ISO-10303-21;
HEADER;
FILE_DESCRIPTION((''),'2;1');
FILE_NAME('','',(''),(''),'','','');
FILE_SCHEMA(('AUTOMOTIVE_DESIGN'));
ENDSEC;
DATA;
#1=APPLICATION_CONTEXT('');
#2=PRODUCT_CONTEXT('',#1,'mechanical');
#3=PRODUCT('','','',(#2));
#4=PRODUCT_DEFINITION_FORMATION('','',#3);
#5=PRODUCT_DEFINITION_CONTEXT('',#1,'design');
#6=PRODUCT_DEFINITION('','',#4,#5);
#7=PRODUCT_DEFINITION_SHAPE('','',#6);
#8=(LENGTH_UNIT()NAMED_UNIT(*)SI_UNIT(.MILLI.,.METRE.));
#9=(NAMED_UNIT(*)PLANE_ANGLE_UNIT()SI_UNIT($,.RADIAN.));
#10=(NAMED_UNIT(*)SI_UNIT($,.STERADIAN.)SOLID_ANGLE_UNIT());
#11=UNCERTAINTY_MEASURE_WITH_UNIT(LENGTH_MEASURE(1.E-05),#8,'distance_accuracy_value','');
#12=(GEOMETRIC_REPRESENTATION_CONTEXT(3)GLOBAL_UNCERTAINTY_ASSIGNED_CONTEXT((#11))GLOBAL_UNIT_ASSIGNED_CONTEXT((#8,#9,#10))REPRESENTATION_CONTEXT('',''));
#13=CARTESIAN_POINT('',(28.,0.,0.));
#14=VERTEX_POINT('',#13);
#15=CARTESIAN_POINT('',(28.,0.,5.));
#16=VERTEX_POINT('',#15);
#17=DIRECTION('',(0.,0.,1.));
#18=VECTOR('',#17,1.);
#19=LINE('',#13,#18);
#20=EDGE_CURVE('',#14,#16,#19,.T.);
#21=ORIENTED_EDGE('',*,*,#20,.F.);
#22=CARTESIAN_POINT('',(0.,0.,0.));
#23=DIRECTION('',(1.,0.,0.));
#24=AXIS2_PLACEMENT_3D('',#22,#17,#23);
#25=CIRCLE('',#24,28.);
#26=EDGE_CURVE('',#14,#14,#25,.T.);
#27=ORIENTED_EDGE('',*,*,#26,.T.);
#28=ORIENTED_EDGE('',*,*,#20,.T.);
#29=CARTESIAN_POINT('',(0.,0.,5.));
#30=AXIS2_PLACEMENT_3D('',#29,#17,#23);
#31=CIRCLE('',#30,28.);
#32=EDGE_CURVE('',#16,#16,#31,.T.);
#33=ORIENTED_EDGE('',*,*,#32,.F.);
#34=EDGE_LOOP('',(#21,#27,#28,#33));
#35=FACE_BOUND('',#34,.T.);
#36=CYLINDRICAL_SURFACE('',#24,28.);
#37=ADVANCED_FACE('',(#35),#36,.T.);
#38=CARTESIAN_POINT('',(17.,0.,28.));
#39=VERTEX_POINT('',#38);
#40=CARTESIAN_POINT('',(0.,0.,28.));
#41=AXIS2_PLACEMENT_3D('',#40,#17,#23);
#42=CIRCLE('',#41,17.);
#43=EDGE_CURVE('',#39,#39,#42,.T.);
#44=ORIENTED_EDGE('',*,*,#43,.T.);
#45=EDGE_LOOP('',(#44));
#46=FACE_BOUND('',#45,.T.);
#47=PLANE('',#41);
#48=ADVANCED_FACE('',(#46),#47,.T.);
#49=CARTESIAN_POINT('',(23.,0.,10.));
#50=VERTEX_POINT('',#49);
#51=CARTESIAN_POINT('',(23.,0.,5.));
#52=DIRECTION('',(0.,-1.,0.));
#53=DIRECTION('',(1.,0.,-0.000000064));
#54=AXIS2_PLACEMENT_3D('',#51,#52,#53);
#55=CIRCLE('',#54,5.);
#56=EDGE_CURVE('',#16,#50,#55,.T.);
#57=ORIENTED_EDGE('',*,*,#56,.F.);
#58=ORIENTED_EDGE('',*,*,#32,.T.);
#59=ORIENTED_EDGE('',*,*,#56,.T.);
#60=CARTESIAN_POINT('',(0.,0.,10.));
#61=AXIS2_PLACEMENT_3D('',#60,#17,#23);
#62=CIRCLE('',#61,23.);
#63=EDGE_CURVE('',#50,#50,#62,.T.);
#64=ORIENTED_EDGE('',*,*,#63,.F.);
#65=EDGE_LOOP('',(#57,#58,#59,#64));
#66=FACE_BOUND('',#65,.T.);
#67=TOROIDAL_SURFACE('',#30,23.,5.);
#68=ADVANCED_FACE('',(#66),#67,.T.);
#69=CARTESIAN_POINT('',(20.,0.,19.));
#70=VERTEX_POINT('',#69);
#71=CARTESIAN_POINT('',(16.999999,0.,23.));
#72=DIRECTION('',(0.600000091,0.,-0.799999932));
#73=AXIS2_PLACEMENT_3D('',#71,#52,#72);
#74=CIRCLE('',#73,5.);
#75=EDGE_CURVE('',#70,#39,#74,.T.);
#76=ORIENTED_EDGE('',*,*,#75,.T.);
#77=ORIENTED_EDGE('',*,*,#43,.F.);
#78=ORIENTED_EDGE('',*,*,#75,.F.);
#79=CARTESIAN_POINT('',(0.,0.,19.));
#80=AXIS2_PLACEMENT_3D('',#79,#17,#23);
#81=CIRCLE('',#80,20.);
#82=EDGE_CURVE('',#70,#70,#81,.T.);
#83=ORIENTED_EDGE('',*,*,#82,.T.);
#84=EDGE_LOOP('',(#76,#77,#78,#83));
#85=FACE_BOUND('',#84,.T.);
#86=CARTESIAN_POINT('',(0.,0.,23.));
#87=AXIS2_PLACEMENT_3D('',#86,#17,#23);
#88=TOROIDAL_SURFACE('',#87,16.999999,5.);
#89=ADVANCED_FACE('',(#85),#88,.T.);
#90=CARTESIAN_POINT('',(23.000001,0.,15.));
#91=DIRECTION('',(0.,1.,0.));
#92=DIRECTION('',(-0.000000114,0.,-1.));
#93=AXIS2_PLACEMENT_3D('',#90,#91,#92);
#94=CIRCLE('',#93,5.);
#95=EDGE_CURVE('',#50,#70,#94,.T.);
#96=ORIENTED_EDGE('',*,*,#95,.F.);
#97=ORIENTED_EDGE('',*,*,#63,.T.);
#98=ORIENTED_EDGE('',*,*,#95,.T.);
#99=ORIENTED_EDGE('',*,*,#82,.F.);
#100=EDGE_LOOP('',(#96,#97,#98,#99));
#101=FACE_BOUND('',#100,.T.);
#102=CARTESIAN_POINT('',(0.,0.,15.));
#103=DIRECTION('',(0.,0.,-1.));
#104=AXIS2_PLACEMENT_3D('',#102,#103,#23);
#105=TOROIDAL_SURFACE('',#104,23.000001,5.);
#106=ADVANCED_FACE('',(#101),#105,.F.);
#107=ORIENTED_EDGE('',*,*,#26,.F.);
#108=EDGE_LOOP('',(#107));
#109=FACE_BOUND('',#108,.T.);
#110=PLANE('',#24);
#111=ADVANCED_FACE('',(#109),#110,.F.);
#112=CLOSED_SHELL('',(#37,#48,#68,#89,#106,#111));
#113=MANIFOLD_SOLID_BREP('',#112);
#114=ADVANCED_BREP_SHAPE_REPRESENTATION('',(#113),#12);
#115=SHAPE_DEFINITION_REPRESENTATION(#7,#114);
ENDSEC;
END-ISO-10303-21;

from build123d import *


with BuildPart() as f1:
    # F0 (on Front) → F1 (revolve)
    with BuildSketch(Plane.XZ):
        with BuildLine():
            Line((0, 28), (0, 0))
            Line((0, 0), (28, 0))
            Line((28, 0), (28, 5))
            ThreePointArc((28, 5), (26.535534, 8.535534), (23, 10))
            ThreePointArc((23, 10), (18.256584, 13.418861), (20, 19))
            ThreePointArc((20, 19), (21.743416, 24.581139), (17, 28))
            Line((17, 28), (0, 28))
        make_face()
    revolve(axis=Axis((0, 0, 14), (0, 0, 1)))


solid = f1.part
